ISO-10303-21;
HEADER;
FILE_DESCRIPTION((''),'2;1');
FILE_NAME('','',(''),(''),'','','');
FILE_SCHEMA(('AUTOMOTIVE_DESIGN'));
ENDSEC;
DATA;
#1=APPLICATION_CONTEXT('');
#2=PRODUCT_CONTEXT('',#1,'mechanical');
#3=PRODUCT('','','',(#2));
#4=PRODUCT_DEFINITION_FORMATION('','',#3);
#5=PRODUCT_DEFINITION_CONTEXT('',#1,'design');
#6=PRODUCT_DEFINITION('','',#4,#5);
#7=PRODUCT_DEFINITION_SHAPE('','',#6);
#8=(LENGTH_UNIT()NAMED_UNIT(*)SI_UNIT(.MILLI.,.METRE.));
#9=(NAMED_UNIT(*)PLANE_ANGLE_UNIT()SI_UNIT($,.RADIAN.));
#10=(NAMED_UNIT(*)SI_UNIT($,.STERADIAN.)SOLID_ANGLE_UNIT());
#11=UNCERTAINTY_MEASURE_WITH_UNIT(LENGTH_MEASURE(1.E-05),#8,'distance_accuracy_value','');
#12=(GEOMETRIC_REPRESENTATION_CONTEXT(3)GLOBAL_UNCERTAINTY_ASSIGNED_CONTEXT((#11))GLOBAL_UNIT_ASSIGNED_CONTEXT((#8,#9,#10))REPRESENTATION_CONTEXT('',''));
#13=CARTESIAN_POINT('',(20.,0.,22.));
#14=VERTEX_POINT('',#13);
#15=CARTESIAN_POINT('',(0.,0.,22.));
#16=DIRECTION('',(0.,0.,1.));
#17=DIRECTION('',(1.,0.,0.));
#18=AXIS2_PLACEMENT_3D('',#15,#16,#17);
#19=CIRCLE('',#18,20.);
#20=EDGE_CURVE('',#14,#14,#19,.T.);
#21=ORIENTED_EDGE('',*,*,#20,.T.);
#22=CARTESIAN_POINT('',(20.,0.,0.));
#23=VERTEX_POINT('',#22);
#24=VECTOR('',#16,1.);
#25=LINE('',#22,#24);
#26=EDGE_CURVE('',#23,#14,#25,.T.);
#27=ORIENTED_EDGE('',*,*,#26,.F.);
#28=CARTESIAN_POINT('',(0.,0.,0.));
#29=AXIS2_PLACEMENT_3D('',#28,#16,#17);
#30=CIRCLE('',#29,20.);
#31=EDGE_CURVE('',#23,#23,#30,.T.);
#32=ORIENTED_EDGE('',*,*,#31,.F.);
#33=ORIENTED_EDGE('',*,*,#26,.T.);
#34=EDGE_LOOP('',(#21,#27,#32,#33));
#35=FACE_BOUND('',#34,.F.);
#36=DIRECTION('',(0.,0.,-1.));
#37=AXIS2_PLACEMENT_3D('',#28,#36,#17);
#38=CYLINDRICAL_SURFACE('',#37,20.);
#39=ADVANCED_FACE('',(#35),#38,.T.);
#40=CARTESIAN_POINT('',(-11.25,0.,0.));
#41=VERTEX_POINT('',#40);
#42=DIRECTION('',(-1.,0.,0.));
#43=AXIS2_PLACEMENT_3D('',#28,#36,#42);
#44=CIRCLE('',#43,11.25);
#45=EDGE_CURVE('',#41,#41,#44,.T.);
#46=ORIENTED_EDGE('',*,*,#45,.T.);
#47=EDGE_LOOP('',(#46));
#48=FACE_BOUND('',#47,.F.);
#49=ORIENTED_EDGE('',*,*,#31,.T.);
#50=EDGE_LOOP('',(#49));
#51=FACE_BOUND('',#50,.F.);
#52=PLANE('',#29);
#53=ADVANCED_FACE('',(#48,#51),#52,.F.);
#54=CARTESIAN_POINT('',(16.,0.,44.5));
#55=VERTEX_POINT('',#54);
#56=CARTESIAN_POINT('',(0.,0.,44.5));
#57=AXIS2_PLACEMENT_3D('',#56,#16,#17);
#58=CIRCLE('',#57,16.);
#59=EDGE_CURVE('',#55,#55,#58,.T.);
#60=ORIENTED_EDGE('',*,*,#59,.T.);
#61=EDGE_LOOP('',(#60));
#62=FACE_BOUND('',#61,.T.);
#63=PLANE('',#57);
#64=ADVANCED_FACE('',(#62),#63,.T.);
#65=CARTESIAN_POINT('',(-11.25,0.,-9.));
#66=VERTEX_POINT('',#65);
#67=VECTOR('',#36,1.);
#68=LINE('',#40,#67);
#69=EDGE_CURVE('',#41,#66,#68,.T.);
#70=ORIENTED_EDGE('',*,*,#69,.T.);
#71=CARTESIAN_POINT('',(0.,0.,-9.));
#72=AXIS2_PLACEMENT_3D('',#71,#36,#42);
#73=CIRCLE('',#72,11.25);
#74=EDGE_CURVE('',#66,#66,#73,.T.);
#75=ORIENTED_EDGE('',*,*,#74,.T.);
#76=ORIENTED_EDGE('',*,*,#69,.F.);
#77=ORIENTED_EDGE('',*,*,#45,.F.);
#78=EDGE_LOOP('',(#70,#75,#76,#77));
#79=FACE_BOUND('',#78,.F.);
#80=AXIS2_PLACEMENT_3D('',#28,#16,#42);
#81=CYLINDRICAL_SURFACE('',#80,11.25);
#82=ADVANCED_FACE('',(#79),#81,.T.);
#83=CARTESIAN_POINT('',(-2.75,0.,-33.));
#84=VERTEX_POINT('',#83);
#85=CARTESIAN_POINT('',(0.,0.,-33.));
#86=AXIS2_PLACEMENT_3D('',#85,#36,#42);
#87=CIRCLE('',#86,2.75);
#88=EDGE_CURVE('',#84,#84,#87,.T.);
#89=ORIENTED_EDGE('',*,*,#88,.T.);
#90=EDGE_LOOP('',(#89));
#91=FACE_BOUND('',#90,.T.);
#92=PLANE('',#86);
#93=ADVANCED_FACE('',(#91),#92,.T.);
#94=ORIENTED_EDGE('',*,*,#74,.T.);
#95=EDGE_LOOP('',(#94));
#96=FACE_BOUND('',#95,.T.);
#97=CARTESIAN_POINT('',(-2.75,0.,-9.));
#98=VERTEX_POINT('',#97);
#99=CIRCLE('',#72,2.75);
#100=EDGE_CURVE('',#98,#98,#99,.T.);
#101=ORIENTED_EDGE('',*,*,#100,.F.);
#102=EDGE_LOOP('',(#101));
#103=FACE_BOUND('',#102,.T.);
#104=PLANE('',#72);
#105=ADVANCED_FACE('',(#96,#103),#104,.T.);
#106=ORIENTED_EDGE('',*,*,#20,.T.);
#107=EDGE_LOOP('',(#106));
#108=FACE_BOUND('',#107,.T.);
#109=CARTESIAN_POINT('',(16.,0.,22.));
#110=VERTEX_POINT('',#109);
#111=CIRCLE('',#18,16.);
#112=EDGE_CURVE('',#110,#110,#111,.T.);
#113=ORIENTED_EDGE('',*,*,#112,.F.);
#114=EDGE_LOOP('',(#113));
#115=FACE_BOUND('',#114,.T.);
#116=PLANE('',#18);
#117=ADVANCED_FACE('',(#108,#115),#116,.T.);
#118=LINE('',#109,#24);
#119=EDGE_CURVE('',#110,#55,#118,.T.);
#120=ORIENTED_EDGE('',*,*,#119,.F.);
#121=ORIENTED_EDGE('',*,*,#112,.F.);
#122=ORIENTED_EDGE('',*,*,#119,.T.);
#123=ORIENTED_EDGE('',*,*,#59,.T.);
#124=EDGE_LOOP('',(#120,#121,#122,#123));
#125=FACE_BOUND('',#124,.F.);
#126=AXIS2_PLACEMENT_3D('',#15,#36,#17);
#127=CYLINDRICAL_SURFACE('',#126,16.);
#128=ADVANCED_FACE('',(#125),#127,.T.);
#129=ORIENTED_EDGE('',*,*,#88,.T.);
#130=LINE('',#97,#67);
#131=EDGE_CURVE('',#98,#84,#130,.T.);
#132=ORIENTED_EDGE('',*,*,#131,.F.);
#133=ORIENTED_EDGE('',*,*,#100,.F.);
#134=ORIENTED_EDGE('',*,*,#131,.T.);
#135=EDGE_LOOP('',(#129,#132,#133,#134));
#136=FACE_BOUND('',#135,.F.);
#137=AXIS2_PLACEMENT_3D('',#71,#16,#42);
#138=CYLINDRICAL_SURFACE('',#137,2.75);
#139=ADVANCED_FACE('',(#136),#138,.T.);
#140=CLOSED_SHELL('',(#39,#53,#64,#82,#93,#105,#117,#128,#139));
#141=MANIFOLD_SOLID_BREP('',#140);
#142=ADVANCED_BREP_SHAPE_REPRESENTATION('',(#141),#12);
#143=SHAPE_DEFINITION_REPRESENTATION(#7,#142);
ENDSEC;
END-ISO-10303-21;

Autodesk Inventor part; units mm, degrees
ref_plane "YZ Plane" through (0, 0, 0) normal (1, 0, 0) x (0, 1, 0)
ref_plane "XZ Plane" through (0, 0, 0) normal (0, 1, 0) x (-1, 0, 0)
ref_plane "XY Plane" through (0, 0, 0) normal (0, 0, 1) x (1, 0, 0)
sketch "Sketch1" plane through (0, 0, 0) normal (0, 0, 1) x (1, 0, 0)
  point P0 (0, 0)
sketch "Sketch2" plane through (0, 0, 0) normal (0, 0, 1) x (1, 0, 0)
  circle A0 centre (0, 0) radius 20
  dimension "d0" = 40
extrude "Extrusion1" add sketch "Sketch2" along normal blind 22
sketch "Sketch3" plane through (0, 0, 22) normal (0, 0, 1) x (1, 0, 0)
  circle A0 centre (0, 0) radius 16
  dimension "d3" = 32
extrude "Extrusion2" add sketch "Sketch3" along normal blind 22.5
sketch "Sketch4" plane through (0, 0, 44.5) normal (0, 0, 1) x (1, 0, 0)
  point P0 (0, 0)
sketch "Sketch5" plane through (0, 0, 0) normal (0, 0, -1) x (-1, 0, 0)
  circle A0 centre (0, 0) radius 11.25
  dimension "d8" = 22.5
extrude "Extrusion3" add sketch "Sketch5" along normal blind 9
sketch "Sketch6" plane through (0, 0, -9) normal (0, 0, -1) x (-1, 0, 0)
  circle A0 centre (0, 0) radius 2.75
  dimension "d11" = 5.5
extrude "Extrusion4" add sketch "Sketch6" along normal blind 24
properties part number "DC MOTOR 1"
